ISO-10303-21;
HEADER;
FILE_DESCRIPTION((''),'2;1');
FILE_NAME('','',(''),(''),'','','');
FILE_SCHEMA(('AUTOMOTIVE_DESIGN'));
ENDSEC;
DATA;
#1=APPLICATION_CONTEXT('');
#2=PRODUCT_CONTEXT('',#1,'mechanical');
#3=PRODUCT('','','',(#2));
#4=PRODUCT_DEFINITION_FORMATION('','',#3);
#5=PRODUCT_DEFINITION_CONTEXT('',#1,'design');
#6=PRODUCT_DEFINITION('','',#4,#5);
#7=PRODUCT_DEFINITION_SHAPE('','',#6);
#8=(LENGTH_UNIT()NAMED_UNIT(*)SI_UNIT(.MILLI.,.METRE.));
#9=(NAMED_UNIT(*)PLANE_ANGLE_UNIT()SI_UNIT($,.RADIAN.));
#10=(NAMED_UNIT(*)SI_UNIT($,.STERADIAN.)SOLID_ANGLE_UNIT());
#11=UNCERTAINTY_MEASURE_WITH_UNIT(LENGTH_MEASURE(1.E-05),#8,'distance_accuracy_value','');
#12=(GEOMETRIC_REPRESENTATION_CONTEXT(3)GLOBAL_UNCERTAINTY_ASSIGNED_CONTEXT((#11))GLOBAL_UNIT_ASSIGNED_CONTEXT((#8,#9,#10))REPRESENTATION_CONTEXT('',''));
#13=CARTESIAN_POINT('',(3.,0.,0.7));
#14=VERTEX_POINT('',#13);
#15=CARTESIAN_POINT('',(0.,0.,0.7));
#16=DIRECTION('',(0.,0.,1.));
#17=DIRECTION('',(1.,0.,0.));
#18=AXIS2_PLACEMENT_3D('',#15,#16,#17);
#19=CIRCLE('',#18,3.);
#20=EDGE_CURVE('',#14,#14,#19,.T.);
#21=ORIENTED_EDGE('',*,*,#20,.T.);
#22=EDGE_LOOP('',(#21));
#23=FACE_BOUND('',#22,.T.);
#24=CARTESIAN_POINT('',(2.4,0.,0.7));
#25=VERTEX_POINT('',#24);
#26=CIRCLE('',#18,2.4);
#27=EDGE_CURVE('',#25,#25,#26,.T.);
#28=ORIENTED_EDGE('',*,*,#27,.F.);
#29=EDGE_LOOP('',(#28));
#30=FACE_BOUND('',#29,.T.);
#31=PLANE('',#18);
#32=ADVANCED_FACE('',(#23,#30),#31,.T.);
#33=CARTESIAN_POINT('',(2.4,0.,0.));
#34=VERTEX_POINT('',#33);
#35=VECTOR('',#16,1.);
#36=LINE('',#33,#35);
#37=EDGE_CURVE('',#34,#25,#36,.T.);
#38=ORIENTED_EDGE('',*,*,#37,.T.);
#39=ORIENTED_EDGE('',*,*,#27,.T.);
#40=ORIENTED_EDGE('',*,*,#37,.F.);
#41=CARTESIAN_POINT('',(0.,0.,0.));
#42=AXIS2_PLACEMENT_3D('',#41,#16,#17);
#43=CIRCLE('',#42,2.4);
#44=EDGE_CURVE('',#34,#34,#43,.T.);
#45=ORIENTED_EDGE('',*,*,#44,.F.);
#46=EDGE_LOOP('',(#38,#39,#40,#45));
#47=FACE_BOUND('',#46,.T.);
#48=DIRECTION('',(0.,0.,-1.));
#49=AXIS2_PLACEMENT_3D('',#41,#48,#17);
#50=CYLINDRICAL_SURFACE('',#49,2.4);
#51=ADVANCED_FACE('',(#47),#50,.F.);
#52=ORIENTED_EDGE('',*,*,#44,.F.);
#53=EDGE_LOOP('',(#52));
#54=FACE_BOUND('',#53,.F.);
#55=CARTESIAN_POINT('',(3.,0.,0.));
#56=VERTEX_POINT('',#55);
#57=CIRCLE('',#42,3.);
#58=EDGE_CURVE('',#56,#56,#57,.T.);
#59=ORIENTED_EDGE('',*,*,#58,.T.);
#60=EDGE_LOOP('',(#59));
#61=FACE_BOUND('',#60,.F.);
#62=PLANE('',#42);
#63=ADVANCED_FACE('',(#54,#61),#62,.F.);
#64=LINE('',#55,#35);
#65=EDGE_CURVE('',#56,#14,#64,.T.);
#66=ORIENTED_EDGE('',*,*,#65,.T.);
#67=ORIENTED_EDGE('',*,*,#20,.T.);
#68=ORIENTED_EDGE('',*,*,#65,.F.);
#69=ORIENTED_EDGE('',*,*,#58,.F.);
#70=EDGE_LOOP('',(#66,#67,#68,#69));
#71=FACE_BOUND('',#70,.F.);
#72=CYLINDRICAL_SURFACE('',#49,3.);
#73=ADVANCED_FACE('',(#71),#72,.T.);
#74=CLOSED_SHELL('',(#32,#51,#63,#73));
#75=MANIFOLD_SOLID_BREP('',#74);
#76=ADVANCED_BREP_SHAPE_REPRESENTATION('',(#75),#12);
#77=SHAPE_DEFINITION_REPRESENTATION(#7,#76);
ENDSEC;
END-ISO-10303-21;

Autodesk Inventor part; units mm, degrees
ref_plane "YZ Plane" through (0, 0, 0) normal (1, 0, 0) x (0, 1, 0)
ref_plane "XZ Plane" through (0, 0, 0) normal (0, 1, 0) x (-1, 0, 0)
ref_plane "XY Plane" through (0, 0, 0) normal (0, 0, 1) x (1, 0, 0)
sketch "Sketch1" plane through (0, 0, 0) normal (0, 0, 1) x (1, 0, 0)
  circle A0 centre (0, 0) radius 2.4
  circle A1 centre (0, 0) radius 3
  dimension "d0" = 4.8
  dimension "d1" = 6
extrude "Extrusion1" add sketch "Sketch1" along normal blind 0.7
properties part number "YBeltWasher4.8"
